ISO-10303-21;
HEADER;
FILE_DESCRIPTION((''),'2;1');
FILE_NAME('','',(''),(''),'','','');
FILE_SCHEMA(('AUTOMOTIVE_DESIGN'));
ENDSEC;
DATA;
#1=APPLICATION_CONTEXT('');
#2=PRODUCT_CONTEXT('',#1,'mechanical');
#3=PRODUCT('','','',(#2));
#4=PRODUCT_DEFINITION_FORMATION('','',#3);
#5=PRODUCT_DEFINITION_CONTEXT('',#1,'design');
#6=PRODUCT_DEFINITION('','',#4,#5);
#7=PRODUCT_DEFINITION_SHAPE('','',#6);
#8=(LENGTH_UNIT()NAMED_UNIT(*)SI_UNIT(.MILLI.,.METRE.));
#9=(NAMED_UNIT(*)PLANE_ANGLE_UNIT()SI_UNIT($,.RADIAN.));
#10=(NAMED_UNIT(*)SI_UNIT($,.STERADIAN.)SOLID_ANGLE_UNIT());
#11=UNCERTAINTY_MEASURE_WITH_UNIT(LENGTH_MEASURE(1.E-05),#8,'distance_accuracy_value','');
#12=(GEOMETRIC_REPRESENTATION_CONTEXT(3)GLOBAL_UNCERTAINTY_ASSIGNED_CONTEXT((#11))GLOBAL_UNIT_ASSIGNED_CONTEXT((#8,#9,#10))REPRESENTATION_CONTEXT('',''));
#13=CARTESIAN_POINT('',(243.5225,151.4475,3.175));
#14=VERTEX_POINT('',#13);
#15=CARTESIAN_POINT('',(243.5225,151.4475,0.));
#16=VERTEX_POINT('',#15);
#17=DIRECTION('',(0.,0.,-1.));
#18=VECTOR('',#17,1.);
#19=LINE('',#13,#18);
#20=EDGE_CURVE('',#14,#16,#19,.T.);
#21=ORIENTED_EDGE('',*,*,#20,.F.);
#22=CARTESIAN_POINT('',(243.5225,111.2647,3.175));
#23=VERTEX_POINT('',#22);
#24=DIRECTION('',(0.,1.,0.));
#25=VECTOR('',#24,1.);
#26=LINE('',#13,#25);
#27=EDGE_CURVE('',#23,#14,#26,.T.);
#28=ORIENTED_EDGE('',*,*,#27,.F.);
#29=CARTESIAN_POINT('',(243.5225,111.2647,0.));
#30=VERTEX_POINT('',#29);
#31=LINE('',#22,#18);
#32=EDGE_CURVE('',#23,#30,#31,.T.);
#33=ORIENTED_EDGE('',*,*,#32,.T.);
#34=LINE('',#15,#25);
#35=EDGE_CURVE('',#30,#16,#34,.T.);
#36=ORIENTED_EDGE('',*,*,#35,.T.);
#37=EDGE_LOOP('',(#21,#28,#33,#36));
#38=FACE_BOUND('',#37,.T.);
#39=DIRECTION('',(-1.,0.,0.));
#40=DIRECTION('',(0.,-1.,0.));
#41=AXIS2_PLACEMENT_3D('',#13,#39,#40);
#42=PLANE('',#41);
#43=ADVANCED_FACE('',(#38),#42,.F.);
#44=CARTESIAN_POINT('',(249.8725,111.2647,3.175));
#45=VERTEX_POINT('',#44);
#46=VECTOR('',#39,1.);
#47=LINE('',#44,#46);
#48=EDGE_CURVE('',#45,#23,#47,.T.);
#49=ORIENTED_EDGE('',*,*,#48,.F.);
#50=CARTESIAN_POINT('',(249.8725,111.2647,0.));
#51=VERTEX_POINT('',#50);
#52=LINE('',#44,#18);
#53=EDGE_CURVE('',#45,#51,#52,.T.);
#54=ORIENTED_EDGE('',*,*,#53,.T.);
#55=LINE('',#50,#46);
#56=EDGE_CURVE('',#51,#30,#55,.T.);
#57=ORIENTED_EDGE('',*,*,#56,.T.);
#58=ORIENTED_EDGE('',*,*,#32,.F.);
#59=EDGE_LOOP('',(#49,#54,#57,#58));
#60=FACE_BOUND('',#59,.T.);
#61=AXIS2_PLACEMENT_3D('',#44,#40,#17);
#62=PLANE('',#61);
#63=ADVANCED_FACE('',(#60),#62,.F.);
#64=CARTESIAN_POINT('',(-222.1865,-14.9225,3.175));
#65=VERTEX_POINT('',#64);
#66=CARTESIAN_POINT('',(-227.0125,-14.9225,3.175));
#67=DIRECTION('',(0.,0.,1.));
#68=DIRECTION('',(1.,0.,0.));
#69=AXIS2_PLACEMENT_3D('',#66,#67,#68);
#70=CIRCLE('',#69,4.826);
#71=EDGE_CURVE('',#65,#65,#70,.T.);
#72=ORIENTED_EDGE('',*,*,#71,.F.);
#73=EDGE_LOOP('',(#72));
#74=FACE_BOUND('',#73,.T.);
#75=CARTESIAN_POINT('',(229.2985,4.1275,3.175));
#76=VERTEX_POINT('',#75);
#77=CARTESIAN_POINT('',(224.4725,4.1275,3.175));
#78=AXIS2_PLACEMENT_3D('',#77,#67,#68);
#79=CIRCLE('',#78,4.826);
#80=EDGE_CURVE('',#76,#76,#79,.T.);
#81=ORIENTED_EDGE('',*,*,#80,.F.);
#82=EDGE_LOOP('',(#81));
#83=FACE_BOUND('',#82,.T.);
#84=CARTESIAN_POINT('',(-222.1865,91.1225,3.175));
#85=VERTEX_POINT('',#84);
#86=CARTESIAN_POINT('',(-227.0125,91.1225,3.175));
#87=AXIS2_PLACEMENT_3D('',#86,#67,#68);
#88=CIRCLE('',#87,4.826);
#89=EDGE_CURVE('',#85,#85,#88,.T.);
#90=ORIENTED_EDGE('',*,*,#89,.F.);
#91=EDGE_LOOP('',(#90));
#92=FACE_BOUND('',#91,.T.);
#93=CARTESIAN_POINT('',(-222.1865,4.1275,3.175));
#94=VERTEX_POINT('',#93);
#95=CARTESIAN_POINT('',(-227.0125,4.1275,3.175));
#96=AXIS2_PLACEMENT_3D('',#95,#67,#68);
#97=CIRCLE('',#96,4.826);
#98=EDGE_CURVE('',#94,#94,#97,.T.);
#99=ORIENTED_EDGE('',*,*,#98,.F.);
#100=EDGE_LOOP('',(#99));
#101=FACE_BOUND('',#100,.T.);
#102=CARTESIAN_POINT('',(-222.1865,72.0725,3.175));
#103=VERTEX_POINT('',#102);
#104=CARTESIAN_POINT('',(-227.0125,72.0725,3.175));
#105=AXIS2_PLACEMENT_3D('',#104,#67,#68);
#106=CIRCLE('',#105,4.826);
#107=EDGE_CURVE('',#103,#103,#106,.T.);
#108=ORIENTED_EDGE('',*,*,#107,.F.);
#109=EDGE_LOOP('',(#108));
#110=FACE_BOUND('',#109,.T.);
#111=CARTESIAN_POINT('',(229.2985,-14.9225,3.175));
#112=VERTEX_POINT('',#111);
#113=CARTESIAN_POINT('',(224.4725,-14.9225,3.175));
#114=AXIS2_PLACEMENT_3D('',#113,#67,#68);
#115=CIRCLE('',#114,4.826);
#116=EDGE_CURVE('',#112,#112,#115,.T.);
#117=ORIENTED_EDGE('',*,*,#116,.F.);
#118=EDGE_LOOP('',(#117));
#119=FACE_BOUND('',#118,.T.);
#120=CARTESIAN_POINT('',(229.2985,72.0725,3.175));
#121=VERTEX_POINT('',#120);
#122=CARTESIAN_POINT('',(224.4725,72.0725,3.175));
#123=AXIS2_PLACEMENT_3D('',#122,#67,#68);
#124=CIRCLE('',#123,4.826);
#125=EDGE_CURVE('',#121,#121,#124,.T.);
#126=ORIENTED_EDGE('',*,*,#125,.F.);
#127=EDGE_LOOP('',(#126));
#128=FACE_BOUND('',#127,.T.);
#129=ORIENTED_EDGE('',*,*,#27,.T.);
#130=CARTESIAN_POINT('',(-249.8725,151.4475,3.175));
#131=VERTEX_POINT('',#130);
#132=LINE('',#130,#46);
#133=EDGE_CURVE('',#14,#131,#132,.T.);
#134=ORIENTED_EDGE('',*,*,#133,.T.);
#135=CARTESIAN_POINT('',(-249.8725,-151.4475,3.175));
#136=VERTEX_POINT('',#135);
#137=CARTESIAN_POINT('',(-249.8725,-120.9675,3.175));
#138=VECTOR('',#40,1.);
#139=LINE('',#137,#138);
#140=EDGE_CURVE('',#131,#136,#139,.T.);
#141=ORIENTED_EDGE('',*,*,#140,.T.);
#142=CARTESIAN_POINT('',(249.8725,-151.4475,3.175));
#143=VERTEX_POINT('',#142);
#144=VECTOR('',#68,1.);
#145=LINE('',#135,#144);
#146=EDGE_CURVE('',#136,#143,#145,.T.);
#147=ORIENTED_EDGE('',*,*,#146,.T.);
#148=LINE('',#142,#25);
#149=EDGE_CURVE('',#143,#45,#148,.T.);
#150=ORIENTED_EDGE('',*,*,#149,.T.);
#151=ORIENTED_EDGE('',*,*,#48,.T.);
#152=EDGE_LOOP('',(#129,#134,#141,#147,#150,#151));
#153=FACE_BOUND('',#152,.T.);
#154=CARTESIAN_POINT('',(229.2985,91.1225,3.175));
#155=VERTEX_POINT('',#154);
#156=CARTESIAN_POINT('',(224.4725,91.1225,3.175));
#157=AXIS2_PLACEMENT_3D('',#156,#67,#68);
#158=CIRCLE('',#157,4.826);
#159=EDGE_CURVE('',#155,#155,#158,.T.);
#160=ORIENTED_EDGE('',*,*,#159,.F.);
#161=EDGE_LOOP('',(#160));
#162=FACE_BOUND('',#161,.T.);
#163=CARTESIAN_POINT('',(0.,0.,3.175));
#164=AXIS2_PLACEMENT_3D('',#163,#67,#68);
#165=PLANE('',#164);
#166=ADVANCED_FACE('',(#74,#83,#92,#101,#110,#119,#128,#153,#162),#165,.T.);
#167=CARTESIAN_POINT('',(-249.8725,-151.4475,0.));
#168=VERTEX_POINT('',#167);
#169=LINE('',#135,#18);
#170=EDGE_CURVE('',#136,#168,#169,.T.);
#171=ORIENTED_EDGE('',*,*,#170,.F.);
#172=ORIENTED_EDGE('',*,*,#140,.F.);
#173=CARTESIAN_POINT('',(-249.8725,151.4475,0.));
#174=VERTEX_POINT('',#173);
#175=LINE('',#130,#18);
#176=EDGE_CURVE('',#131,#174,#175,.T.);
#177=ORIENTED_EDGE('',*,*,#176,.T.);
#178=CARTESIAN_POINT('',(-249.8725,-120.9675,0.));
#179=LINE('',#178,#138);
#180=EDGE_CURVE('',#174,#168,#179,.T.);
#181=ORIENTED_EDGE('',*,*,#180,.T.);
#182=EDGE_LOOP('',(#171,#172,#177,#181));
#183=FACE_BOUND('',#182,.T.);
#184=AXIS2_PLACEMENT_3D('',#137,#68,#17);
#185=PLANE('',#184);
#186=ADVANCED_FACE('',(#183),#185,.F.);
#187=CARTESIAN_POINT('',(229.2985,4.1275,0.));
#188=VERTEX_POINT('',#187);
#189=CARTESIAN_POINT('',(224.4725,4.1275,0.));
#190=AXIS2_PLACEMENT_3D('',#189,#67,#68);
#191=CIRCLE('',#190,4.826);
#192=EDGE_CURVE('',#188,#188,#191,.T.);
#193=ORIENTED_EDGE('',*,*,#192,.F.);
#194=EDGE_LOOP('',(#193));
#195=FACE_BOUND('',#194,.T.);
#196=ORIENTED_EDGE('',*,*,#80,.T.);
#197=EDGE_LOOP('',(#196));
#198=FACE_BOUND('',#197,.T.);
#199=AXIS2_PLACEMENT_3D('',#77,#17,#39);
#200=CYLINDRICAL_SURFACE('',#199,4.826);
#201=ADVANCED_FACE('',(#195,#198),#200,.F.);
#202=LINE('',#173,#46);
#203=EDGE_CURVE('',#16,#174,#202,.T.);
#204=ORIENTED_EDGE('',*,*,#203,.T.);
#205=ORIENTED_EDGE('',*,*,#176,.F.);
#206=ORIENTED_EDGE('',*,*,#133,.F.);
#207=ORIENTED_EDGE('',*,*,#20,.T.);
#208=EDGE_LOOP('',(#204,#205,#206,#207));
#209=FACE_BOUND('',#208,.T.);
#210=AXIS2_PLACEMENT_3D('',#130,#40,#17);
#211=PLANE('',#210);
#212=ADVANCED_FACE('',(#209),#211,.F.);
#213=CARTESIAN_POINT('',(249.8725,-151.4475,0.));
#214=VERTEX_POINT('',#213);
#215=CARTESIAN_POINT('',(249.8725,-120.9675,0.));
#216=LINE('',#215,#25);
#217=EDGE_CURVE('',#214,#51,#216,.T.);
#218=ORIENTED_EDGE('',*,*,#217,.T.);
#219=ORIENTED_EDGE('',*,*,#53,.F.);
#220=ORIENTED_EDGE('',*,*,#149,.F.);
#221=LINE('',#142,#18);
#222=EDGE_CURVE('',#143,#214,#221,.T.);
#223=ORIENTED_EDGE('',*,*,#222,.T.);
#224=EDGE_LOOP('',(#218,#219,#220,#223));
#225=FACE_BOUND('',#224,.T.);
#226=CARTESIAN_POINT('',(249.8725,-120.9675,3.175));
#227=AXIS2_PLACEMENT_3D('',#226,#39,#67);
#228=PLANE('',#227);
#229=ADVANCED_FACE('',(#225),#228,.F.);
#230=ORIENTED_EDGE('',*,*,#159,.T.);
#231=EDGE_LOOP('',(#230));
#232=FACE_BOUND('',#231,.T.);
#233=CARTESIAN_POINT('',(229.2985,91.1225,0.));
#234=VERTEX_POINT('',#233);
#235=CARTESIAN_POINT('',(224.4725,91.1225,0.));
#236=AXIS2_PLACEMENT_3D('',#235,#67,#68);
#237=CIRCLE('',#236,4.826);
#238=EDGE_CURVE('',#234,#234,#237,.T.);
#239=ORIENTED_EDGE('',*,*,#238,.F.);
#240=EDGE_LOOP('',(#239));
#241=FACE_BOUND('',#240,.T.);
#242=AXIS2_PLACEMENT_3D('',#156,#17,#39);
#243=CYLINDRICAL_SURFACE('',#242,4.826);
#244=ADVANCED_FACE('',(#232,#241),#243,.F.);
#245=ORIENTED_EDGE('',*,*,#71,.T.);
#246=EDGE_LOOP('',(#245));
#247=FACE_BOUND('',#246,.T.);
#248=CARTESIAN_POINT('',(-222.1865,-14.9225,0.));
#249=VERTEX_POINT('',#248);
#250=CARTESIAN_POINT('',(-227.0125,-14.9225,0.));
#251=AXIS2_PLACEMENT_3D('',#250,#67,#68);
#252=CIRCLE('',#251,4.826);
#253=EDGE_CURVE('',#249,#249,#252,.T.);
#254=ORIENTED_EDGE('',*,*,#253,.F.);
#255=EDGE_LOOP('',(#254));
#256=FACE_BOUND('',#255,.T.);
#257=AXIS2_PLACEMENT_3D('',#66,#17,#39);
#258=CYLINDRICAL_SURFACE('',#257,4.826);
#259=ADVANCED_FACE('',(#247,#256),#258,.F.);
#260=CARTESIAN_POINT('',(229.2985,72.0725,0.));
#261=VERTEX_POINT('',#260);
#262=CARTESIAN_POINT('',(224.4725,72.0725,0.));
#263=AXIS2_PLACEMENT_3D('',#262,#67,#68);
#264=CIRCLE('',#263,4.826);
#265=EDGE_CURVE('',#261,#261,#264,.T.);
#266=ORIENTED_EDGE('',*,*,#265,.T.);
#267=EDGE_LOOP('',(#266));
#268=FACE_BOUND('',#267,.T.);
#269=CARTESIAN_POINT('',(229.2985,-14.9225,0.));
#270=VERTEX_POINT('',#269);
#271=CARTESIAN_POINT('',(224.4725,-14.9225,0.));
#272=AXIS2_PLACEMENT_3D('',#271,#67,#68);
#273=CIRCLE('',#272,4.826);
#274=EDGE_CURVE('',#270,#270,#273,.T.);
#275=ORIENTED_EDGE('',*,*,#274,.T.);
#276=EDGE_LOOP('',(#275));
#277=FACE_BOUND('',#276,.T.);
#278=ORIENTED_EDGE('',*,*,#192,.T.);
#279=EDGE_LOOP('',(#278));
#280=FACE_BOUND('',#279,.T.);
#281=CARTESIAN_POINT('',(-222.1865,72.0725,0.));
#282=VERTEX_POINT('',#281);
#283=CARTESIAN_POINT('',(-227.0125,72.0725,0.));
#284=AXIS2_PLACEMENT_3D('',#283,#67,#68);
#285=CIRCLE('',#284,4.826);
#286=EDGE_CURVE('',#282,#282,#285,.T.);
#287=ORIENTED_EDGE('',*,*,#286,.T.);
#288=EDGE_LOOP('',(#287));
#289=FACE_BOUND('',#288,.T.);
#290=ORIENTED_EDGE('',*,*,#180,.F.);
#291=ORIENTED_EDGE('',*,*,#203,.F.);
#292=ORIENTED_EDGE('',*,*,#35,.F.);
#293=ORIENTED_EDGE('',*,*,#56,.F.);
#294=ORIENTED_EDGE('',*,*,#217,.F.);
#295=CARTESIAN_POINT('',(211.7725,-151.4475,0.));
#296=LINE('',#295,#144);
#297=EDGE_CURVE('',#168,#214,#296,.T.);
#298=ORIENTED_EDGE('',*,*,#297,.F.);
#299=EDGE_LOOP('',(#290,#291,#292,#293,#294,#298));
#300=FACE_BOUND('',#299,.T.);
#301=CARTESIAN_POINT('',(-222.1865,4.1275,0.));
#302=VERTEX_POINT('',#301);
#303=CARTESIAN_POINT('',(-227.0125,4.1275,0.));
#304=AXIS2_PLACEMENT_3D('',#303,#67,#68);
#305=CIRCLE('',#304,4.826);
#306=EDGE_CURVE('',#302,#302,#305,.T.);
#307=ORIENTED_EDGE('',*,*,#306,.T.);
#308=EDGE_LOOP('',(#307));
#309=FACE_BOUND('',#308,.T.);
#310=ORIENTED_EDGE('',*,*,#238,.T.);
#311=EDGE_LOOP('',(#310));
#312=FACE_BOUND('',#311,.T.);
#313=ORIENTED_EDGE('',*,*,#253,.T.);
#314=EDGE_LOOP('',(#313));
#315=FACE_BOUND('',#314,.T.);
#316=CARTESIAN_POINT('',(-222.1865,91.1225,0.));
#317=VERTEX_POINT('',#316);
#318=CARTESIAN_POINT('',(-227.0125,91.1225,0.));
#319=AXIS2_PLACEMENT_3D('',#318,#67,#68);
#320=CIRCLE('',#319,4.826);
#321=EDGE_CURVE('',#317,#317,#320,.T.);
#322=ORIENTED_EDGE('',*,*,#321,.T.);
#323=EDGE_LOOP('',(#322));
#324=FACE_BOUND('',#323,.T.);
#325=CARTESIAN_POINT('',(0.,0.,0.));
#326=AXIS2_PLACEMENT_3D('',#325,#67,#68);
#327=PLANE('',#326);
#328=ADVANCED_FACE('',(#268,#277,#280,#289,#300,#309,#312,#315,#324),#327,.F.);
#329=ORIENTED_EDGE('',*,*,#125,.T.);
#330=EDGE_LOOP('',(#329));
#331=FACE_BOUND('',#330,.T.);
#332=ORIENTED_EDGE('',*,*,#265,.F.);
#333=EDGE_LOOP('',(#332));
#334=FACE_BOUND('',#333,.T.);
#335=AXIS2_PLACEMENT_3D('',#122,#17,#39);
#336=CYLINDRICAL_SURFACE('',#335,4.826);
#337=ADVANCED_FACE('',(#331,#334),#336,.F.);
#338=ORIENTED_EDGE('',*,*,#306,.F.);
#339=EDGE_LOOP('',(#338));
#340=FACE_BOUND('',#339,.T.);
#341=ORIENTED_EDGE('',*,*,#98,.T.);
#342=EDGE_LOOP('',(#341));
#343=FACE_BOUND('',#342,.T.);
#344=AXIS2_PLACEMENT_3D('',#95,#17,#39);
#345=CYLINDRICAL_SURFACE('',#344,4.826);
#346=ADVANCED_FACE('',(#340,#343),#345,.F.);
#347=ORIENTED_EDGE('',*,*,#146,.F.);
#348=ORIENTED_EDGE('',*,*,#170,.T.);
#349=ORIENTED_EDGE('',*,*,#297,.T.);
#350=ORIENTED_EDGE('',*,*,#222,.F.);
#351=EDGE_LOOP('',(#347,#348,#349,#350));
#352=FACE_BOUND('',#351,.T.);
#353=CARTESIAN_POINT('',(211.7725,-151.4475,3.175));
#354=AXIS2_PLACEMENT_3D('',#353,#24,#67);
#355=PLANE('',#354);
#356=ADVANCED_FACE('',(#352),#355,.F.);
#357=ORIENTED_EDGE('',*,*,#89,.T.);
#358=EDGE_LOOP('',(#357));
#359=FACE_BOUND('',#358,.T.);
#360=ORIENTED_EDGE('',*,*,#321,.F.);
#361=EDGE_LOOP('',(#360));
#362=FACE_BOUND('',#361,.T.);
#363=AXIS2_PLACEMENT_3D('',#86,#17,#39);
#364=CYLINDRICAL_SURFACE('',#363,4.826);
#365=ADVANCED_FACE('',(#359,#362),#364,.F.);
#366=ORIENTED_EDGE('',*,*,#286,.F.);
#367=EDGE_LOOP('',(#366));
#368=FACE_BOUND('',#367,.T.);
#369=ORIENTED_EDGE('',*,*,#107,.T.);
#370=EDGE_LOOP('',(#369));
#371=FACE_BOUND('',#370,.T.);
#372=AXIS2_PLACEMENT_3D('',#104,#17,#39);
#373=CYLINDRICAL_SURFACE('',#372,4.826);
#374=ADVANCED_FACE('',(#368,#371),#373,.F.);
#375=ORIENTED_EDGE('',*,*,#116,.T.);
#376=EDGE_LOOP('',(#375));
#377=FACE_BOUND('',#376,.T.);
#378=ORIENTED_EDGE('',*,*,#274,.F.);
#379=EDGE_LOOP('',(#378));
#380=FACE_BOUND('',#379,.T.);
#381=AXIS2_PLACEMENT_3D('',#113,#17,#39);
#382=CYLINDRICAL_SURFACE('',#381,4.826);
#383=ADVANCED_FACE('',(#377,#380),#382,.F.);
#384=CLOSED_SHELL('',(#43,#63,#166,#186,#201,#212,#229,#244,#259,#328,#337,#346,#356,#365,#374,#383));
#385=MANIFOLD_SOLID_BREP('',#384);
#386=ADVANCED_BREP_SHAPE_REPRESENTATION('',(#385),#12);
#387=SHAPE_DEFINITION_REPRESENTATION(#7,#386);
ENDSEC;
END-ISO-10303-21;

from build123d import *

# Parameters (mm, degrees)
SKETCH1_R           = 4.826
BOSS_EXTRUDE1_DEPTH = 3.175


with BuildPart() as part:
    # Sketch1 → Boss-Extrude1 (new body)
    with BuildSketch(Plane.XY):
        Polygon((-249.8725, -120.9675), (-249.8725, -151.4475), (-211.7725, -151.4475), (211.7725, -151.4475), (249.8725, -151.4475), (249.8725, -120.9675), (249.8725, 111.2647), (243.5225, 111.2647), (243.5225, 151.4475), (-249.8725, 151.4475), align=None)
        with Locations((-227.0125, -14.9225)):
            Circle(SKETCH1_R, mode=Mode.SUBTRACT)
        with Locations((-227.0125, 4.1275)):
            Circle(SKETCH1_R, mode=Mode.SUBTRACT)
        with Locations((-227.0125, 91.1225)):
            Circle(SKETCH1_R, mode=Mode.SUBTRACT)
        with Locations((-227.0125, 72.0725)):
            Circle(SKETCH1_R, mode=Mode.SUBTRACT)
        with Locations((224.4725, -14.9225)):
            Circle(SKETCH1_R, mode=Mode.SUBTRACT)
        with Locations((224.4725, 4.1275)):
            Circle(SKETCH1_R, mode=Mode.SUBTRACT)
        with Locations((224.4725, 91.1225)):
            Circle(SKETCH1_R, mode=Mode.SUBTRACT)
        with Locations((224.4725, 72.0725)):
            Circle(SKETCH1_R, mode=Mode.SUBTRACT)
    extrude(amount=BOSS_EXTRUDE1_DEPTH)


solid = part.part
